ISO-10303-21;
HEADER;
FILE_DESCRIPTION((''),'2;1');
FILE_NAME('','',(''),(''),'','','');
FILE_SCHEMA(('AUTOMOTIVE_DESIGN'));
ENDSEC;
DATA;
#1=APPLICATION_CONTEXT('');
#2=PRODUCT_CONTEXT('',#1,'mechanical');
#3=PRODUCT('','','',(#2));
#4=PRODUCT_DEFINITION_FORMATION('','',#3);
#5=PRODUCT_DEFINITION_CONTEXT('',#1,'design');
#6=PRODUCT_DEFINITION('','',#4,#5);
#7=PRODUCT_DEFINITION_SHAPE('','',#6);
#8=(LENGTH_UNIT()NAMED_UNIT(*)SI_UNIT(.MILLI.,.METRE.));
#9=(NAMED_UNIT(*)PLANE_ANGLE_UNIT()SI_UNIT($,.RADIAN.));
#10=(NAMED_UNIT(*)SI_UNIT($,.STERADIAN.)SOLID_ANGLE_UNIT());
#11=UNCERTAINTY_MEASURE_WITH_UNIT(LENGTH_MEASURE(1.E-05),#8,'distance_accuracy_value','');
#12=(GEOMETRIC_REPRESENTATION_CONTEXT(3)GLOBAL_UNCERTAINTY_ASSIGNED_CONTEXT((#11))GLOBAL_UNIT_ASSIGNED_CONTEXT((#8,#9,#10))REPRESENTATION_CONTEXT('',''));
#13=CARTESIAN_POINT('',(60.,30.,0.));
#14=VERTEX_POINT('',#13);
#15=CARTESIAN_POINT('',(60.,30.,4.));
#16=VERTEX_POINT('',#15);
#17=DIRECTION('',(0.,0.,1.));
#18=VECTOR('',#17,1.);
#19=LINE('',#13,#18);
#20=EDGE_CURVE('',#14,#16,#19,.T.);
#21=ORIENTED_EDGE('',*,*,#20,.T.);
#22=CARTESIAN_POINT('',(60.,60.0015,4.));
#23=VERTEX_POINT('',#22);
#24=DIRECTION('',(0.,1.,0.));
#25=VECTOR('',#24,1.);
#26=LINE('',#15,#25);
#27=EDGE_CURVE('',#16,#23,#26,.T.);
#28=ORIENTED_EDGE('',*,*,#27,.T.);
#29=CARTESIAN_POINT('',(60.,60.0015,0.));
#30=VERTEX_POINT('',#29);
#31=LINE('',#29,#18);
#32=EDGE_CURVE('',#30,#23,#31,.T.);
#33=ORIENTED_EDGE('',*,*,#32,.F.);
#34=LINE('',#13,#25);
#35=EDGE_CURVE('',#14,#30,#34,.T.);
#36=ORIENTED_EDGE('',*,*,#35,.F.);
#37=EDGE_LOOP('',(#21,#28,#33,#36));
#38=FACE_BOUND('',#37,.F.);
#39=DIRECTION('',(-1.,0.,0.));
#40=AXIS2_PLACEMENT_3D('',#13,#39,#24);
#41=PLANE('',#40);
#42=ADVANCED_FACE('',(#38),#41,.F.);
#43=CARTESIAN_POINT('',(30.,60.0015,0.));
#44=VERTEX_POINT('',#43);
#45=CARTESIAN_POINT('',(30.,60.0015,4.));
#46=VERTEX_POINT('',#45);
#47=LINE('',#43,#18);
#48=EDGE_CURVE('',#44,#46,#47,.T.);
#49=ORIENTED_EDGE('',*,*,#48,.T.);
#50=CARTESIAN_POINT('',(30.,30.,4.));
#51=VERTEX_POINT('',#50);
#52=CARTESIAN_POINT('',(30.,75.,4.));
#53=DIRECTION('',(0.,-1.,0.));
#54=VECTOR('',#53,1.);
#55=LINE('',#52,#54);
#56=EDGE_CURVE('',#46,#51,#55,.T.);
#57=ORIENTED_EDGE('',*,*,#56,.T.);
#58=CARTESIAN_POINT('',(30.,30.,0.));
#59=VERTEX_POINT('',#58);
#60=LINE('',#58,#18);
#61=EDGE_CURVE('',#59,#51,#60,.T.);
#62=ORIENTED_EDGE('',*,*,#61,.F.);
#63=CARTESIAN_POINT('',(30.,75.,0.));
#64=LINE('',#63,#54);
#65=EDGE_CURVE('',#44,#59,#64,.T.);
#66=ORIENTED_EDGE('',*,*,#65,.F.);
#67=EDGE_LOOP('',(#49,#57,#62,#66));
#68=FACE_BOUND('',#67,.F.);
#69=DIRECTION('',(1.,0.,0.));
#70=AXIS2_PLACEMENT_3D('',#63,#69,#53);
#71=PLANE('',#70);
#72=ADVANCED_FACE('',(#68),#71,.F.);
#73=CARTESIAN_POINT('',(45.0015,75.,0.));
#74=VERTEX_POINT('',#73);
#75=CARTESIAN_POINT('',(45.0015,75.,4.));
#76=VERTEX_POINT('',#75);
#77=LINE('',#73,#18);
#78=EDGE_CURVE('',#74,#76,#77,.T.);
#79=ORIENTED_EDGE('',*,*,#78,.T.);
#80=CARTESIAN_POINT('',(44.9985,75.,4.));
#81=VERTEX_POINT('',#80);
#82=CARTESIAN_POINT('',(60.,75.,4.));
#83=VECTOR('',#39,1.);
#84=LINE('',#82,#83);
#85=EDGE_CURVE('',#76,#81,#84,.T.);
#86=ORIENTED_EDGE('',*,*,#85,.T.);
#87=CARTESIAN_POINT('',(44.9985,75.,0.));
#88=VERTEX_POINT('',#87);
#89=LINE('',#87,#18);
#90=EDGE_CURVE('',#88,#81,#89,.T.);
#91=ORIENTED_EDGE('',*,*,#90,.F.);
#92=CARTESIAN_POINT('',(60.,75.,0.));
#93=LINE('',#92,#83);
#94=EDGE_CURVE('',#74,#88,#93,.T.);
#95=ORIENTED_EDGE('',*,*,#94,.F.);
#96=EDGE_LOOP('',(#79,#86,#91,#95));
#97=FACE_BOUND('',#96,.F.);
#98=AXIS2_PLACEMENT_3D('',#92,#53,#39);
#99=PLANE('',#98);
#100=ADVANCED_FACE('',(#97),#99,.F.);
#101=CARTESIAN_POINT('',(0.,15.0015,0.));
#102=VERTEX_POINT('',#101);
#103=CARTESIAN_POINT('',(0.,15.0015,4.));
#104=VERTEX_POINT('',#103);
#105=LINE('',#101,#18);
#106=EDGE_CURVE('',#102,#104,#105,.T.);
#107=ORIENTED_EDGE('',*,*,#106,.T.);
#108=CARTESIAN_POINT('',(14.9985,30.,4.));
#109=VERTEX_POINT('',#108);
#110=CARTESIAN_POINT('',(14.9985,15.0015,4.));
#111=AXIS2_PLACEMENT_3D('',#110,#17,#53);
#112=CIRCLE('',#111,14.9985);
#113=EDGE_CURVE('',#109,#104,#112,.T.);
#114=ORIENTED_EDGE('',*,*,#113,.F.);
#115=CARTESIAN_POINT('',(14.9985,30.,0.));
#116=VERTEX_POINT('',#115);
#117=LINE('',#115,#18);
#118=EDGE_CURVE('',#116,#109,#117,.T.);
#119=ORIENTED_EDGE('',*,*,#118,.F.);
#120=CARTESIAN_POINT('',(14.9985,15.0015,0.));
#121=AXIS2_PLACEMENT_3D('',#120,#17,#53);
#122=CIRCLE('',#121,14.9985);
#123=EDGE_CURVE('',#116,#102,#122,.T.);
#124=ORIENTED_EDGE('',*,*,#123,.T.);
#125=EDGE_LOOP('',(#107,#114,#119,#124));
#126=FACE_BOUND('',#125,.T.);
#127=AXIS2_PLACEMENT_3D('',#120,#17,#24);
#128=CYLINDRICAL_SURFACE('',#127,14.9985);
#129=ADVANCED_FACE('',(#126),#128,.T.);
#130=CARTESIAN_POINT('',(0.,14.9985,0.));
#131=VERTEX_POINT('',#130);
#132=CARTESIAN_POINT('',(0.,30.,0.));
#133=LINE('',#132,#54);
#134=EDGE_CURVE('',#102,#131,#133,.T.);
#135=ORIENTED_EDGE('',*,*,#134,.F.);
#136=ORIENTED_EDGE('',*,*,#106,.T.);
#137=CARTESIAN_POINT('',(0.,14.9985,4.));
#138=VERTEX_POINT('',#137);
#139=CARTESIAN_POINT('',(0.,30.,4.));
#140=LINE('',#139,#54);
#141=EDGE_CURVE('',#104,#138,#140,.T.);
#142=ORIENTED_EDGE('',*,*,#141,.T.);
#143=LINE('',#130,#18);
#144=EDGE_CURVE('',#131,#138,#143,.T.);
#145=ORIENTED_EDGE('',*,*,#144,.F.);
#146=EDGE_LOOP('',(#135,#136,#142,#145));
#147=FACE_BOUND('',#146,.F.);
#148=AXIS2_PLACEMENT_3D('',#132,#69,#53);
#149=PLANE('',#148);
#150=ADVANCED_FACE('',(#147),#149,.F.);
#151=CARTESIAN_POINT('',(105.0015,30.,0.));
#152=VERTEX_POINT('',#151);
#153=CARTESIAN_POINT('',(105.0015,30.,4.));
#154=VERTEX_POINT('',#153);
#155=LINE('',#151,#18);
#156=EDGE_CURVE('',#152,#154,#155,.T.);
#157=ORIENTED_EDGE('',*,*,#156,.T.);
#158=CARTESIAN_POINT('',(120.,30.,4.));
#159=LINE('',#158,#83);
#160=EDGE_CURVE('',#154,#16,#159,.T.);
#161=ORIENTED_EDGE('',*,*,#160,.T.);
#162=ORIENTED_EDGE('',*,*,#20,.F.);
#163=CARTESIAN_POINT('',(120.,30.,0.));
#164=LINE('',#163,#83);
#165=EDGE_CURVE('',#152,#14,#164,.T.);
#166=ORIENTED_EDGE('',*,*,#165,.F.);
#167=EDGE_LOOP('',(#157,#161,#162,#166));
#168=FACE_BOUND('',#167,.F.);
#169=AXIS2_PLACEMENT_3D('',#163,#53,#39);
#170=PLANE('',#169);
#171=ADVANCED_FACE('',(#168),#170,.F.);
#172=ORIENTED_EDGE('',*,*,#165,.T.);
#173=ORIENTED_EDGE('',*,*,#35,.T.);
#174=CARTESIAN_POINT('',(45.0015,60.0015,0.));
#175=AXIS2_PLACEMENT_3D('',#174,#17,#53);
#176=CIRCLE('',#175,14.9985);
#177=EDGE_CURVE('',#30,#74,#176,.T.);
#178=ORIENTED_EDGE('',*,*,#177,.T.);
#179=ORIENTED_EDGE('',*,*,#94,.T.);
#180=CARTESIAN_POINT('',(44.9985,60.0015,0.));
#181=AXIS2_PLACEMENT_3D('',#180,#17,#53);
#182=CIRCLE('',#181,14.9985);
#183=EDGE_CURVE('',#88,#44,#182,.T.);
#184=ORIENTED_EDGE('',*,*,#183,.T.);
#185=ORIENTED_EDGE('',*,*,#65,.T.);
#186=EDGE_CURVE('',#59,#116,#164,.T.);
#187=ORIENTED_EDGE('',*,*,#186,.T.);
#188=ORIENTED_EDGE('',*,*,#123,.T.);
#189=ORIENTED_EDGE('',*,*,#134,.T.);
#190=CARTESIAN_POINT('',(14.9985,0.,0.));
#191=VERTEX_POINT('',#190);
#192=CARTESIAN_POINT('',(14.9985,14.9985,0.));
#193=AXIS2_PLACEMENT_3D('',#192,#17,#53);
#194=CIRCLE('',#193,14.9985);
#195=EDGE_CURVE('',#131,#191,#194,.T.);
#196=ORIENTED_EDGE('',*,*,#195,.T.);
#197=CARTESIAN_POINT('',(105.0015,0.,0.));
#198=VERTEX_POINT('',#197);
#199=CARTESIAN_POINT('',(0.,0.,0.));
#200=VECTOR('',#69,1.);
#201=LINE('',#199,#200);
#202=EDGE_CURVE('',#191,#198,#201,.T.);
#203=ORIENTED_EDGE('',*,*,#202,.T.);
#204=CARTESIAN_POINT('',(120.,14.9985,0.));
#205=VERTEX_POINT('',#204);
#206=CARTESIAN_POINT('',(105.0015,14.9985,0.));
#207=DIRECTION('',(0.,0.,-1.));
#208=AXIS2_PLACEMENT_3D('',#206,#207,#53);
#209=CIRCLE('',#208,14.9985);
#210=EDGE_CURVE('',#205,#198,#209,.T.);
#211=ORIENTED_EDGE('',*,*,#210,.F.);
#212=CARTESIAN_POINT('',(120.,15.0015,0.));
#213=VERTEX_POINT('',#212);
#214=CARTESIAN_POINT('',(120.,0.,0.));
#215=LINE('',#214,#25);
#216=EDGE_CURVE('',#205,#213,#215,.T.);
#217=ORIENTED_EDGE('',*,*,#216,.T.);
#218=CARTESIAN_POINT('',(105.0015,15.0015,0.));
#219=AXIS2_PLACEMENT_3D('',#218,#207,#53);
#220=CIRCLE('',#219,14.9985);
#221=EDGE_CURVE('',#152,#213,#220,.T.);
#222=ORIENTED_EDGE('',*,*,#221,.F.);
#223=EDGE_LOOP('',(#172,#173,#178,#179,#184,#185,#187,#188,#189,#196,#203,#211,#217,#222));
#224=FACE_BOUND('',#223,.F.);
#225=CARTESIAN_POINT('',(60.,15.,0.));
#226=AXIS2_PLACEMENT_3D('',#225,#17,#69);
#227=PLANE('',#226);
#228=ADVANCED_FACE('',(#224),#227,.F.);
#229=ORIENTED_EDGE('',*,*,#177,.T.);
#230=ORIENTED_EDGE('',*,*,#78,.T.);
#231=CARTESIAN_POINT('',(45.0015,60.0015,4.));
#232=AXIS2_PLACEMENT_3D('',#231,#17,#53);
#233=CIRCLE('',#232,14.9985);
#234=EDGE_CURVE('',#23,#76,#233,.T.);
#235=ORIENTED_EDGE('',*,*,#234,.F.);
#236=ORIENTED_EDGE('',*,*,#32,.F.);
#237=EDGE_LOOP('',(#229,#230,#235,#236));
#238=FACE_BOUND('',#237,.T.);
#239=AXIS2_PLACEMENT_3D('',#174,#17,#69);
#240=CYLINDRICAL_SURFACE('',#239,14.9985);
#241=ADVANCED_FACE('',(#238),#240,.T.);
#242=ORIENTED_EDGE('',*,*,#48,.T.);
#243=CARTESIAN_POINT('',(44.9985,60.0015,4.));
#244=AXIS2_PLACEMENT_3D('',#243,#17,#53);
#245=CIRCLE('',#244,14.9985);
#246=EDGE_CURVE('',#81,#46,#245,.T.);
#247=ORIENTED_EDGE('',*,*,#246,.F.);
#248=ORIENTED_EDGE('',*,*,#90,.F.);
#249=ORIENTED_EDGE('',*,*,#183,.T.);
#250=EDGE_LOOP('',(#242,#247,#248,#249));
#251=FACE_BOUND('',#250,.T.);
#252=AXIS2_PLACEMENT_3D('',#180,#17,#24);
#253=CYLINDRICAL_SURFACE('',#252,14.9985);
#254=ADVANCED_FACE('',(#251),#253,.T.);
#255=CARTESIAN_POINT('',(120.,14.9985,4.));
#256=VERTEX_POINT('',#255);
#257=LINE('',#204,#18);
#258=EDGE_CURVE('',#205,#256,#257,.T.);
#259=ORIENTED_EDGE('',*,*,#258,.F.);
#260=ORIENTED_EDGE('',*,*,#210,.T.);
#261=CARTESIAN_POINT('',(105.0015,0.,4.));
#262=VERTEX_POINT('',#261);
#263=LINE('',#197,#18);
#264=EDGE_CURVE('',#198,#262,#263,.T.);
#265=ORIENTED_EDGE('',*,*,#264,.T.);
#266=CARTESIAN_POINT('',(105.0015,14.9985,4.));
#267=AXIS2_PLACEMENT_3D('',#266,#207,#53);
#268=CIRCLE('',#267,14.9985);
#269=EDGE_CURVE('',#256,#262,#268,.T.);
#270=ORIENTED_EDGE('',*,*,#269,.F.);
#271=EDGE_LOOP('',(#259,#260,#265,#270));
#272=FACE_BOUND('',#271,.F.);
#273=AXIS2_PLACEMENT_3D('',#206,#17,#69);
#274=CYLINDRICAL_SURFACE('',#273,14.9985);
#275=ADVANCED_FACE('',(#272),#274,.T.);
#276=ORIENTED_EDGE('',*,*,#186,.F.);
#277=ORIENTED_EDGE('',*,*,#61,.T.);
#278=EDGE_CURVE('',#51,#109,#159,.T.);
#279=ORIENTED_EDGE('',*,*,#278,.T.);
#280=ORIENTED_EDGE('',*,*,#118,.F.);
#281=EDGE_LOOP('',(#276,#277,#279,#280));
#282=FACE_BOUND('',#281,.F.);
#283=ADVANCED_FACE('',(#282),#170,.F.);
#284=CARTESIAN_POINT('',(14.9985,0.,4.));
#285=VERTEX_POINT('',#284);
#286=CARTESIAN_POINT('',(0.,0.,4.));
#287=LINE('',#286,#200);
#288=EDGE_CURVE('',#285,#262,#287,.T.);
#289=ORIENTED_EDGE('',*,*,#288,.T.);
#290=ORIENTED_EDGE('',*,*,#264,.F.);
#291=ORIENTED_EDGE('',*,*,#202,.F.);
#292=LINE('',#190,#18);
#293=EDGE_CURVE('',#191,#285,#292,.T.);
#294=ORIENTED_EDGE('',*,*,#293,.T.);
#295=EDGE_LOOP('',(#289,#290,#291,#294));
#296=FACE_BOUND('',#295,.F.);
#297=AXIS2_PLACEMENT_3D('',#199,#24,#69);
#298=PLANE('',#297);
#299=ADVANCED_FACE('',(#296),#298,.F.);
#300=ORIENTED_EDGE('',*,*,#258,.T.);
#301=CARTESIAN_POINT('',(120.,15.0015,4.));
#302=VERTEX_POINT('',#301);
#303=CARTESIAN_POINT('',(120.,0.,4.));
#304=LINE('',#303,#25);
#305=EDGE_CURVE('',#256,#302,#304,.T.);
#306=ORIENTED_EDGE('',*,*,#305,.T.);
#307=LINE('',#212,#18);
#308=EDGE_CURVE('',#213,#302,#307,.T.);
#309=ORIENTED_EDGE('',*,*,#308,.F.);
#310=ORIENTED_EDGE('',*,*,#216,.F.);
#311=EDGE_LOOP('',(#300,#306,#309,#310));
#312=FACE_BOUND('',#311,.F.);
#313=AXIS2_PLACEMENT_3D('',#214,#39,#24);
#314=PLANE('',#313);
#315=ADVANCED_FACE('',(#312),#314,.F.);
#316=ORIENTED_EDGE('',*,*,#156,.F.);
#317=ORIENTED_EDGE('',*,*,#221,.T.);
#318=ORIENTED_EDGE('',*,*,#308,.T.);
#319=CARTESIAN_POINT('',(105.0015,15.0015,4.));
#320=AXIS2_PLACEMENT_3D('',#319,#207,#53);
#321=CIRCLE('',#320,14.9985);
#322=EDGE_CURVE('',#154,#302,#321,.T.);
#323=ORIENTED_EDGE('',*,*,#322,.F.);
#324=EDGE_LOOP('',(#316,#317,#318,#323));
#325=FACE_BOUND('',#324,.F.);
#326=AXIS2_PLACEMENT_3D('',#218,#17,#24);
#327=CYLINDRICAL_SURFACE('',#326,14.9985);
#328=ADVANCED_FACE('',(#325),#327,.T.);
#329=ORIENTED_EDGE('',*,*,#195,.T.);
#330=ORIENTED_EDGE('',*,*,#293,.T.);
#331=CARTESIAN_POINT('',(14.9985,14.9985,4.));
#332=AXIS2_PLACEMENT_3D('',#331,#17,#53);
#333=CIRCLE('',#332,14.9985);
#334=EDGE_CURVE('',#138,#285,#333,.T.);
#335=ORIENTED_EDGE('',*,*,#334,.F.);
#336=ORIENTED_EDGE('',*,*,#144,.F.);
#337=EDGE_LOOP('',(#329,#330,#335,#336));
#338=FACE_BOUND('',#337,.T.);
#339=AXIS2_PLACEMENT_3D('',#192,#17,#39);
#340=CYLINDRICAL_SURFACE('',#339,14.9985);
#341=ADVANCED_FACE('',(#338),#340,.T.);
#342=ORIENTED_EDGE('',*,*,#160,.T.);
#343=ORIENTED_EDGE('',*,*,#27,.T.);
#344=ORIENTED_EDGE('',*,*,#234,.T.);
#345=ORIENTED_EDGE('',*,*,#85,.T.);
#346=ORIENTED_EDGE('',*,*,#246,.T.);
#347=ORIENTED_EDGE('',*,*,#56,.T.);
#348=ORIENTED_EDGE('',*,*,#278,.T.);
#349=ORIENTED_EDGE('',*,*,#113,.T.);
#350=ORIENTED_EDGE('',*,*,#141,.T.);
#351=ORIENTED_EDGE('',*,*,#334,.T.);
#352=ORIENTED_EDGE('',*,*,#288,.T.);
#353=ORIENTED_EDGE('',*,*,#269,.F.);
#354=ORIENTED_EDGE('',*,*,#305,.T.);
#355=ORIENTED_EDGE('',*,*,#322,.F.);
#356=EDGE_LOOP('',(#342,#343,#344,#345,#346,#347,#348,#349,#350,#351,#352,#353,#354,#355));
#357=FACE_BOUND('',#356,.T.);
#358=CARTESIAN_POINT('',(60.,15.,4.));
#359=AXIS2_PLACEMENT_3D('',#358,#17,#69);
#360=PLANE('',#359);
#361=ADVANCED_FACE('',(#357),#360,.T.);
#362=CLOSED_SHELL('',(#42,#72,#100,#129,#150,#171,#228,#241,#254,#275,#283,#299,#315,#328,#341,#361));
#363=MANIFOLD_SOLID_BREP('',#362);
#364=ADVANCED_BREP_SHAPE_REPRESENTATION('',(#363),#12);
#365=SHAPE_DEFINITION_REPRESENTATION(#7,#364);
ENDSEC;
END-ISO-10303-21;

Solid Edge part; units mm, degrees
sketch "Sketch1" plane through (0, 0, 0) normal (0, 0, 1) x (1, 0, 0)
  line L0 (30, 75) -> (30, 30)
  line L1 (30, 30) -> (60, 30)
  line L2 (60, 30) -> (60, 75)
  line L3 (60, 75) -> (30, 75)
  line L4 (120, 30) -> (0, 30)
  line L5 (0, 30) -> (0, 0)
  line L6 (0, 0) -> (120, 0)
  line L7 (120, 0) -> (120, 30)
  dimension "D1" = 30
  dimension "D2" = 30
  dimension "D3" = 30
  dimension "D4" = 120
extrude "Protrusion1" add sketch "Sketch1" along normal blind 4
fillet "RoundMain" radius 15 6 edges at (0, 30, 2) (30, 75, 2) (60, 75, 2) (120, 30, 2) (120, 0, 2) (0, 0, 2)
